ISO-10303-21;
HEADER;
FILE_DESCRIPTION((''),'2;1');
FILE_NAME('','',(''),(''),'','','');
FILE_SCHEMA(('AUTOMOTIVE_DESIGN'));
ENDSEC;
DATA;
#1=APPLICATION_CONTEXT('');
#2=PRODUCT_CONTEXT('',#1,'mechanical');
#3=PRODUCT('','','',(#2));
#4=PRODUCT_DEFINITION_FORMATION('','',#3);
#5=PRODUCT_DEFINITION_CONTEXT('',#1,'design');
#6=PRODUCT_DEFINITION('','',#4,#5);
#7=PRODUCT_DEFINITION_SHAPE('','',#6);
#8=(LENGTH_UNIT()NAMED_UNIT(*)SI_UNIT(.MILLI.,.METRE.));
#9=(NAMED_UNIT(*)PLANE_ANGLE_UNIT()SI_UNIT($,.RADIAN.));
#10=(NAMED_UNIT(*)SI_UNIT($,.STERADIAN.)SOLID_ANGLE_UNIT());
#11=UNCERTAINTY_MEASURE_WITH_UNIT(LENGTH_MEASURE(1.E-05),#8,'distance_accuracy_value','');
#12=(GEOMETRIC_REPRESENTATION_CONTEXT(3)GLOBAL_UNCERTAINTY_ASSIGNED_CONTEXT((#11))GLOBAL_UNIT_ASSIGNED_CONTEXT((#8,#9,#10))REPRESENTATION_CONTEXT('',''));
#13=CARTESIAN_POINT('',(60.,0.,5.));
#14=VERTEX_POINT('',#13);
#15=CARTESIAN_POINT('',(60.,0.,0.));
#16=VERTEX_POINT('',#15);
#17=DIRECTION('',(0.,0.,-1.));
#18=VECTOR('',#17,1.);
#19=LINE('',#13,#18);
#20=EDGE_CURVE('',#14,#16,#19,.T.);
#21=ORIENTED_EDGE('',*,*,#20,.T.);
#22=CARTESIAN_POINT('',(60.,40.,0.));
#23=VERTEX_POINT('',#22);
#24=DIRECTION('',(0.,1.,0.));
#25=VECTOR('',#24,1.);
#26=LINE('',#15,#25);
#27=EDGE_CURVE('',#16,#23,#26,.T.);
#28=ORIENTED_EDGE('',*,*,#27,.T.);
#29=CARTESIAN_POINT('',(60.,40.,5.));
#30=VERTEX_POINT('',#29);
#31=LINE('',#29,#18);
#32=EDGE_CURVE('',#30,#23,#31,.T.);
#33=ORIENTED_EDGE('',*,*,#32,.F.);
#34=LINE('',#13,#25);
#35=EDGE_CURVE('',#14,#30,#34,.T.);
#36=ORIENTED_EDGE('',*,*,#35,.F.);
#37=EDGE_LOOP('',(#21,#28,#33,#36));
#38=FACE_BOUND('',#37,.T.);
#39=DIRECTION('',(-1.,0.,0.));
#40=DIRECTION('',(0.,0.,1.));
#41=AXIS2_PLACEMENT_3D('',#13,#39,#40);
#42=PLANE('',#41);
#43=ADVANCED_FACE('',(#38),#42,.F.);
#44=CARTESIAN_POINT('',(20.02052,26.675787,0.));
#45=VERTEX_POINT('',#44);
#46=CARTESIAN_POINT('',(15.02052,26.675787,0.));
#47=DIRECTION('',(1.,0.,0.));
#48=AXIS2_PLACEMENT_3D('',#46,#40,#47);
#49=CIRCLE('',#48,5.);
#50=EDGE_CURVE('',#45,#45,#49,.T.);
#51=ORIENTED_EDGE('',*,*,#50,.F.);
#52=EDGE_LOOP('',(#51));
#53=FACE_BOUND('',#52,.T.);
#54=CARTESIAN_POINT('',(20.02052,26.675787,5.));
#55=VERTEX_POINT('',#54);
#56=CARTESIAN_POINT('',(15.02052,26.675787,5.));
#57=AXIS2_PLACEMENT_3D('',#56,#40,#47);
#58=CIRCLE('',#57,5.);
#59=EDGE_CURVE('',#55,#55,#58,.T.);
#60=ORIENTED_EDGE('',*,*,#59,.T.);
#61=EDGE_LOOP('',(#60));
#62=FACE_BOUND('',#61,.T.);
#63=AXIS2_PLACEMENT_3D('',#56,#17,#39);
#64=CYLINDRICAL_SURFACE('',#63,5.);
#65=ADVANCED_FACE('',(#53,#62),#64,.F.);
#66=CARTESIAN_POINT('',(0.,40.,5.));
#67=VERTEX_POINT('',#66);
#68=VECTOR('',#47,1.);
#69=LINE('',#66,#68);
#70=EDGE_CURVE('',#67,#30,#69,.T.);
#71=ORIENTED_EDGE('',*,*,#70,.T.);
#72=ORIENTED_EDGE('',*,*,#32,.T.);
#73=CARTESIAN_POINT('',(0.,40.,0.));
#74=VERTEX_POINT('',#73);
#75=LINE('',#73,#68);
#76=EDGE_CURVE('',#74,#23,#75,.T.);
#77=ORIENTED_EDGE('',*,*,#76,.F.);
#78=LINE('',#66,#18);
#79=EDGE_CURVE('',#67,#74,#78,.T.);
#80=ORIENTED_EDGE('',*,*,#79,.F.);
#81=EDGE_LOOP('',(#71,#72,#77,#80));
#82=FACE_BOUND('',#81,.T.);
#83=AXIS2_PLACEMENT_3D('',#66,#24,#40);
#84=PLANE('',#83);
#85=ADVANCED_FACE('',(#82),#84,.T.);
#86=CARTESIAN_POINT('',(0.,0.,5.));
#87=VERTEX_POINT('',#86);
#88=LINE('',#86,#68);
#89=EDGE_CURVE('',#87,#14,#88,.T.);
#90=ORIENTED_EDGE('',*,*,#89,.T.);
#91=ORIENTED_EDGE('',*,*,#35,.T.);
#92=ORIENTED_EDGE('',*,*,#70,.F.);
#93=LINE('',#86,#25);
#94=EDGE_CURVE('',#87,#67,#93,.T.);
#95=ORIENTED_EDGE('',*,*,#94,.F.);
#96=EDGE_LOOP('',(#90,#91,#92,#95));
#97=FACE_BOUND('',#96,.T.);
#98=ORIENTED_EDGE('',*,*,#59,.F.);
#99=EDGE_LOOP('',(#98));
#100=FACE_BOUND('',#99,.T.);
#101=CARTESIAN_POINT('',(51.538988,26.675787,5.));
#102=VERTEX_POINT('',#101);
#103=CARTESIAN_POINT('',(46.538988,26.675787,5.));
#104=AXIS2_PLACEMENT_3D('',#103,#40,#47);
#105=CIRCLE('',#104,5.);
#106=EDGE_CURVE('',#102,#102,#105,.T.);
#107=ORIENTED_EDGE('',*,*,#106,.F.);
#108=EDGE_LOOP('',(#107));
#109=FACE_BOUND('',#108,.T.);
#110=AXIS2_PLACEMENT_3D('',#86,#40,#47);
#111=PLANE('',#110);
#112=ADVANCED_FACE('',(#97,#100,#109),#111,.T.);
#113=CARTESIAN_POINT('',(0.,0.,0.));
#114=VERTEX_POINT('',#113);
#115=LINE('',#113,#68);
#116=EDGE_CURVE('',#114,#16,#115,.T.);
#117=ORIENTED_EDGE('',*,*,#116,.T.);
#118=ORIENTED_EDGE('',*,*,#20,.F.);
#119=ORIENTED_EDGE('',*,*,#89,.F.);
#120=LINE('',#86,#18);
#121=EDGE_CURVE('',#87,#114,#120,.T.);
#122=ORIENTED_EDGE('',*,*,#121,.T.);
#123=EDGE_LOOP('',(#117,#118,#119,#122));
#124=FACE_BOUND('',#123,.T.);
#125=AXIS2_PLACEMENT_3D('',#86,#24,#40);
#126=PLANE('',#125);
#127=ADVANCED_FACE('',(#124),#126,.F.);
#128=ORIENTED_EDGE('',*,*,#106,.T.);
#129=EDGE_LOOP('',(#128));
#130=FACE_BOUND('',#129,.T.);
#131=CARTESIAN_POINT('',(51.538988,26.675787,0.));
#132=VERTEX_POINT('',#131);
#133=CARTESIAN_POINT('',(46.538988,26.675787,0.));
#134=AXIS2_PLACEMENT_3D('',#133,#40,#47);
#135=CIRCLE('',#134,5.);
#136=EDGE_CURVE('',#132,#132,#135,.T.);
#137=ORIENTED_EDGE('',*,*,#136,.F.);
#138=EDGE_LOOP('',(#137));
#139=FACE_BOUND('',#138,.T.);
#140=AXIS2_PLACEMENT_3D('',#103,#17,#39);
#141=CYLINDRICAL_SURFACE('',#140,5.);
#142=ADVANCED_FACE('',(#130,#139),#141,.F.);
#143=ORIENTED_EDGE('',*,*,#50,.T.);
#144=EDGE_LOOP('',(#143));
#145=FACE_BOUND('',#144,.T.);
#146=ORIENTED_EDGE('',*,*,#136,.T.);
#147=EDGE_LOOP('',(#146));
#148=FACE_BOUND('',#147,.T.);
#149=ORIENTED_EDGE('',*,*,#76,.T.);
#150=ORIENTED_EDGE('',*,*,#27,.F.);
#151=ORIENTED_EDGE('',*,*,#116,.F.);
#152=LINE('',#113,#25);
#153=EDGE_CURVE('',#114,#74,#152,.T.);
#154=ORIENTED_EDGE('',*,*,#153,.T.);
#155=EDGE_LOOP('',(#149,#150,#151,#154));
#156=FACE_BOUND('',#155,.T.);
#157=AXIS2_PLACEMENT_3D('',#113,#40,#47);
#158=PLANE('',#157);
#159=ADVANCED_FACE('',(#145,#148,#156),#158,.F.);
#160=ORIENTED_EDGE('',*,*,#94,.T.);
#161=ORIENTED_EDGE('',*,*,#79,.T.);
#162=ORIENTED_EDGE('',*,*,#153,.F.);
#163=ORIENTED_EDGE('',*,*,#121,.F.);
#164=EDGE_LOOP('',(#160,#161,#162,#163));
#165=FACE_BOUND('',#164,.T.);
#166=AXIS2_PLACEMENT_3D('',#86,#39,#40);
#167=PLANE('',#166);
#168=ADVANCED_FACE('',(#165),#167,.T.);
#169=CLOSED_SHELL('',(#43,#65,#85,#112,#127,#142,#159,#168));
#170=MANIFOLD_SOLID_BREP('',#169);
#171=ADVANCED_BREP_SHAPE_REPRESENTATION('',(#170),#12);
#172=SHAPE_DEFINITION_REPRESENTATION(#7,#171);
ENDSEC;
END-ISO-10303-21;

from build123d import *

# Parameters (mm, degrees)
SKETCH1_W           = 60
SKETCH1_H           = 40
SKETCH1_R           = 5
BOSS_EXTRUDE1_DEPTH = 5


with BuildPart() as part:
    # Sketch1 → Boss-Extrude1 (new body)
    with BuildSketch(Plane.XY):
        with Locations((30, 20)):
            Rectangle(SKETCH1_W, SKETCH1_H)
        with Locations((15.020519836, 26.675786594)):
            Circle(SKETCH1_R, mode=Mode.SUBTRACT)
        with Locations((46.538987688, 26.675786594)):
            Circle(SKETCH1_R, mode=Mode.SUBTRACT)
    extrude(amount=BOSS_EXTRUDE1_DEPTH)


solid = part.part
